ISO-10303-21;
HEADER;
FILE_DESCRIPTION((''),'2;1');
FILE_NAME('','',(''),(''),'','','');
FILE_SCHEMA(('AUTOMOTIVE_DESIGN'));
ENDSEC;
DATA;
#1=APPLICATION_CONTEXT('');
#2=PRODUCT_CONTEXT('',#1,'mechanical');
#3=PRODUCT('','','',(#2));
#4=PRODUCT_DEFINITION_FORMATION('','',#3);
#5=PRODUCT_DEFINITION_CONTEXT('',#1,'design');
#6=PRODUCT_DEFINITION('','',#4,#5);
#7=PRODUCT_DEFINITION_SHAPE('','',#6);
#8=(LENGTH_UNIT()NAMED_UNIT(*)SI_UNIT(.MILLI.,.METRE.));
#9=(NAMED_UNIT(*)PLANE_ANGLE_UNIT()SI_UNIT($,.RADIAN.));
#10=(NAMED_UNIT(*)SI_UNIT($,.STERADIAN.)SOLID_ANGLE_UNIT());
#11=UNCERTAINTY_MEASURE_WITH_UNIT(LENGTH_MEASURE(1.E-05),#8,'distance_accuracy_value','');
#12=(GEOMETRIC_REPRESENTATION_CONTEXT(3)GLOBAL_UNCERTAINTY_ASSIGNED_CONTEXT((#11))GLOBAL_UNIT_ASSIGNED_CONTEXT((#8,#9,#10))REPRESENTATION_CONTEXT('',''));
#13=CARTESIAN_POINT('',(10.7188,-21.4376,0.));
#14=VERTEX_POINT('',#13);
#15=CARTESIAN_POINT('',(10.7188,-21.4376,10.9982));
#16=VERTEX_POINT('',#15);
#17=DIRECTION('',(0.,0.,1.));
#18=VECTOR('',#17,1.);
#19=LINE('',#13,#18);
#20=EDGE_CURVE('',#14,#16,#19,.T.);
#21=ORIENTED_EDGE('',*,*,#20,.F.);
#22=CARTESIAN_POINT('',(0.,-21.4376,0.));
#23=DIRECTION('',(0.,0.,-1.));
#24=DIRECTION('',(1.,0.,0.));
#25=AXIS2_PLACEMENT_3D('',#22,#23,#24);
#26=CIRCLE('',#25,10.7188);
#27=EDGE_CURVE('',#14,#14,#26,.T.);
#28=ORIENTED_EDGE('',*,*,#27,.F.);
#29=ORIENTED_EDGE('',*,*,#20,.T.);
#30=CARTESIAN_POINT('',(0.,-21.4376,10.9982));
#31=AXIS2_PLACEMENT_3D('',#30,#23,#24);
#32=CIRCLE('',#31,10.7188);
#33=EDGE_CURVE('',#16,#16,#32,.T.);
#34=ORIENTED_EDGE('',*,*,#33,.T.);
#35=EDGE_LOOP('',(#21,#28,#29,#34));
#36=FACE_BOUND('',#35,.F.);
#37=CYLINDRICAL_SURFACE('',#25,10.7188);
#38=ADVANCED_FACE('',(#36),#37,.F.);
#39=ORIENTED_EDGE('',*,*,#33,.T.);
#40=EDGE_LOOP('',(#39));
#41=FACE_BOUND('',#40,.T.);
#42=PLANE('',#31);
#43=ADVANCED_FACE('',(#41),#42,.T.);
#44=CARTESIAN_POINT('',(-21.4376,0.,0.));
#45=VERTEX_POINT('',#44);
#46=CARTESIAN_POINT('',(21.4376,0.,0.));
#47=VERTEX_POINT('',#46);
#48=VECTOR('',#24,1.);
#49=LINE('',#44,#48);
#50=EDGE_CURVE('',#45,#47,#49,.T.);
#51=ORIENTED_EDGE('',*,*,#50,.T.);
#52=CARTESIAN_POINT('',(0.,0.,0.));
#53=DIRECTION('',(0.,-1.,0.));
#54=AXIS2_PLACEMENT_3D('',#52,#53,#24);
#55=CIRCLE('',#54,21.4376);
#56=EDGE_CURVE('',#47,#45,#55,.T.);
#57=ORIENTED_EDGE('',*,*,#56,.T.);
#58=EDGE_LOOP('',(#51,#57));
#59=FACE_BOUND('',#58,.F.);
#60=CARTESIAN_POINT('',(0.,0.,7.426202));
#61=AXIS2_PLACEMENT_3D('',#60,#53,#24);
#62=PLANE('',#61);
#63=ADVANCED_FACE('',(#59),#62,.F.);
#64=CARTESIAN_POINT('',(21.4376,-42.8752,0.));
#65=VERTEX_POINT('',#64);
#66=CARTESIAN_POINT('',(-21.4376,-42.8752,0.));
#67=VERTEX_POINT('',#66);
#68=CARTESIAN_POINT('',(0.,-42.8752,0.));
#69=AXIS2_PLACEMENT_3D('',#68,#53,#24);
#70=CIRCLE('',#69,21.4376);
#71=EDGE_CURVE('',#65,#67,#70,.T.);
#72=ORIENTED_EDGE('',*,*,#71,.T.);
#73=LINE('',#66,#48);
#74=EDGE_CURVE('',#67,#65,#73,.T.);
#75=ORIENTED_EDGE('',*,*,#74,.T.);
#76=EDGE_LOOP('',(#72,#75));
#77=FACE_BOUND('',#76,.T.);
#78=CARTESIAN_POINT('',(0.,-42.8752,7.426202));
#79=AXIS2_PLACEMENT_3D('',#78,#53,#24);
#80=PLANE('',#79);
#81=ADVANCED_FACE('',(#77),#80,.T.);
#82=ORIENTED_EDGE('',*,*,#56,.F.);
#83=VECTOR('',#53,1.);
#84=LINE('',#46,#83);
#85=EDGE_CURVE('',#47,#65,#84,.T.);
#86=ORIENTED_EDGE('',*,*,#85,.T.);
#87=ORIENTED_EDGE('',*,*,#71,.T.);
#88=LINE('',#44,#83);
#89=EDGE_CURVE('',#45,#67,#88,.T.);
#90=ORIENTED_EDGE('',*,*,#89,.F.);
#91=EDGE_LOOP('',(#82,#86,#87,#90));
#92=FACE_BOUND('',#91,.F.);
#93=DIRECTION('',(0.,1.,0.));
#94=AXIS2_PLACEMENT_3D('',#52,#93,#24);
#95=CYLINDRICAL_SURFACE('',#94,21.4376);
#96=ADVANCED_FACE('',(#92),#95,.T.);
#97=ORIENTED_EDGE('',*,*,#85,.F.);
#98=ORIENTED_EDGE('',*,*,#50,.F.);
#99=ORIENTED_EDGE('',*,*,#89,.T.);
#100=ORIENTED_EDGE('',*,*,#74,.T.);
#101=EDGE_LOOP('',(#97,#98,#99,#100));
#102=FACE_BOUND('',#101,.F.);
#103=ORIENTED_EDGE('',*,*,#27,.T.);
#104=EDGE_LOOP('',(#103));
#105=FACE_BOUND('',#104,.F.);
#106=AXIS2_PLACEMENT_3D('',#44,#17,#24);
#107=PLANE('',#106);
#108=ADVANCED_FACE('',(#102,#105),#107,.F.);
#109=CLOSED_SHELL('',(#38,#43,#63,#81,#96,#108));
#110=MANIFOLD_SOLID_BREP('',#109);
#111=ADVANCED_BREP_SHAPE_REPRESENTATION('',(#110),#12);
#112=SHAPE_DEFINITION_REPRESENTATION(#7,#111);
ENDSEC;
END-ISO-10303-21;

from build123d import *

# Parameters (mm, degrees)
F1_DEPTH = 42.8752
F2_R     = 10.7188
F3_DEPTH = 10.9982


with BuildPart() as f1:
    # F0 (on Front) → F1 (new body)
    with BuildSketch(Plane.XZ):
        with BuildLine():
            Line((-21.4376, 0), (21.4376, 0))
            ThreePointArc((21.4376, 0), (0, 21.4376), (-21.4376, 0))
        make_face()
    extrude(amount=F1_DEPTH)

    # F2 (on face) → F3 (cut)
    with BuildSketch(Plane(origin=(0, 0, 0), x_dir=(1, 0, 0), z_dir=(0, 0, -1))):
        with Locations((0, 21.4376)):
            Circle(F2_R)
    extrude(amount=-F3_DEPTH, mode=Mode.SUBTRACT)


solid = f1.part
